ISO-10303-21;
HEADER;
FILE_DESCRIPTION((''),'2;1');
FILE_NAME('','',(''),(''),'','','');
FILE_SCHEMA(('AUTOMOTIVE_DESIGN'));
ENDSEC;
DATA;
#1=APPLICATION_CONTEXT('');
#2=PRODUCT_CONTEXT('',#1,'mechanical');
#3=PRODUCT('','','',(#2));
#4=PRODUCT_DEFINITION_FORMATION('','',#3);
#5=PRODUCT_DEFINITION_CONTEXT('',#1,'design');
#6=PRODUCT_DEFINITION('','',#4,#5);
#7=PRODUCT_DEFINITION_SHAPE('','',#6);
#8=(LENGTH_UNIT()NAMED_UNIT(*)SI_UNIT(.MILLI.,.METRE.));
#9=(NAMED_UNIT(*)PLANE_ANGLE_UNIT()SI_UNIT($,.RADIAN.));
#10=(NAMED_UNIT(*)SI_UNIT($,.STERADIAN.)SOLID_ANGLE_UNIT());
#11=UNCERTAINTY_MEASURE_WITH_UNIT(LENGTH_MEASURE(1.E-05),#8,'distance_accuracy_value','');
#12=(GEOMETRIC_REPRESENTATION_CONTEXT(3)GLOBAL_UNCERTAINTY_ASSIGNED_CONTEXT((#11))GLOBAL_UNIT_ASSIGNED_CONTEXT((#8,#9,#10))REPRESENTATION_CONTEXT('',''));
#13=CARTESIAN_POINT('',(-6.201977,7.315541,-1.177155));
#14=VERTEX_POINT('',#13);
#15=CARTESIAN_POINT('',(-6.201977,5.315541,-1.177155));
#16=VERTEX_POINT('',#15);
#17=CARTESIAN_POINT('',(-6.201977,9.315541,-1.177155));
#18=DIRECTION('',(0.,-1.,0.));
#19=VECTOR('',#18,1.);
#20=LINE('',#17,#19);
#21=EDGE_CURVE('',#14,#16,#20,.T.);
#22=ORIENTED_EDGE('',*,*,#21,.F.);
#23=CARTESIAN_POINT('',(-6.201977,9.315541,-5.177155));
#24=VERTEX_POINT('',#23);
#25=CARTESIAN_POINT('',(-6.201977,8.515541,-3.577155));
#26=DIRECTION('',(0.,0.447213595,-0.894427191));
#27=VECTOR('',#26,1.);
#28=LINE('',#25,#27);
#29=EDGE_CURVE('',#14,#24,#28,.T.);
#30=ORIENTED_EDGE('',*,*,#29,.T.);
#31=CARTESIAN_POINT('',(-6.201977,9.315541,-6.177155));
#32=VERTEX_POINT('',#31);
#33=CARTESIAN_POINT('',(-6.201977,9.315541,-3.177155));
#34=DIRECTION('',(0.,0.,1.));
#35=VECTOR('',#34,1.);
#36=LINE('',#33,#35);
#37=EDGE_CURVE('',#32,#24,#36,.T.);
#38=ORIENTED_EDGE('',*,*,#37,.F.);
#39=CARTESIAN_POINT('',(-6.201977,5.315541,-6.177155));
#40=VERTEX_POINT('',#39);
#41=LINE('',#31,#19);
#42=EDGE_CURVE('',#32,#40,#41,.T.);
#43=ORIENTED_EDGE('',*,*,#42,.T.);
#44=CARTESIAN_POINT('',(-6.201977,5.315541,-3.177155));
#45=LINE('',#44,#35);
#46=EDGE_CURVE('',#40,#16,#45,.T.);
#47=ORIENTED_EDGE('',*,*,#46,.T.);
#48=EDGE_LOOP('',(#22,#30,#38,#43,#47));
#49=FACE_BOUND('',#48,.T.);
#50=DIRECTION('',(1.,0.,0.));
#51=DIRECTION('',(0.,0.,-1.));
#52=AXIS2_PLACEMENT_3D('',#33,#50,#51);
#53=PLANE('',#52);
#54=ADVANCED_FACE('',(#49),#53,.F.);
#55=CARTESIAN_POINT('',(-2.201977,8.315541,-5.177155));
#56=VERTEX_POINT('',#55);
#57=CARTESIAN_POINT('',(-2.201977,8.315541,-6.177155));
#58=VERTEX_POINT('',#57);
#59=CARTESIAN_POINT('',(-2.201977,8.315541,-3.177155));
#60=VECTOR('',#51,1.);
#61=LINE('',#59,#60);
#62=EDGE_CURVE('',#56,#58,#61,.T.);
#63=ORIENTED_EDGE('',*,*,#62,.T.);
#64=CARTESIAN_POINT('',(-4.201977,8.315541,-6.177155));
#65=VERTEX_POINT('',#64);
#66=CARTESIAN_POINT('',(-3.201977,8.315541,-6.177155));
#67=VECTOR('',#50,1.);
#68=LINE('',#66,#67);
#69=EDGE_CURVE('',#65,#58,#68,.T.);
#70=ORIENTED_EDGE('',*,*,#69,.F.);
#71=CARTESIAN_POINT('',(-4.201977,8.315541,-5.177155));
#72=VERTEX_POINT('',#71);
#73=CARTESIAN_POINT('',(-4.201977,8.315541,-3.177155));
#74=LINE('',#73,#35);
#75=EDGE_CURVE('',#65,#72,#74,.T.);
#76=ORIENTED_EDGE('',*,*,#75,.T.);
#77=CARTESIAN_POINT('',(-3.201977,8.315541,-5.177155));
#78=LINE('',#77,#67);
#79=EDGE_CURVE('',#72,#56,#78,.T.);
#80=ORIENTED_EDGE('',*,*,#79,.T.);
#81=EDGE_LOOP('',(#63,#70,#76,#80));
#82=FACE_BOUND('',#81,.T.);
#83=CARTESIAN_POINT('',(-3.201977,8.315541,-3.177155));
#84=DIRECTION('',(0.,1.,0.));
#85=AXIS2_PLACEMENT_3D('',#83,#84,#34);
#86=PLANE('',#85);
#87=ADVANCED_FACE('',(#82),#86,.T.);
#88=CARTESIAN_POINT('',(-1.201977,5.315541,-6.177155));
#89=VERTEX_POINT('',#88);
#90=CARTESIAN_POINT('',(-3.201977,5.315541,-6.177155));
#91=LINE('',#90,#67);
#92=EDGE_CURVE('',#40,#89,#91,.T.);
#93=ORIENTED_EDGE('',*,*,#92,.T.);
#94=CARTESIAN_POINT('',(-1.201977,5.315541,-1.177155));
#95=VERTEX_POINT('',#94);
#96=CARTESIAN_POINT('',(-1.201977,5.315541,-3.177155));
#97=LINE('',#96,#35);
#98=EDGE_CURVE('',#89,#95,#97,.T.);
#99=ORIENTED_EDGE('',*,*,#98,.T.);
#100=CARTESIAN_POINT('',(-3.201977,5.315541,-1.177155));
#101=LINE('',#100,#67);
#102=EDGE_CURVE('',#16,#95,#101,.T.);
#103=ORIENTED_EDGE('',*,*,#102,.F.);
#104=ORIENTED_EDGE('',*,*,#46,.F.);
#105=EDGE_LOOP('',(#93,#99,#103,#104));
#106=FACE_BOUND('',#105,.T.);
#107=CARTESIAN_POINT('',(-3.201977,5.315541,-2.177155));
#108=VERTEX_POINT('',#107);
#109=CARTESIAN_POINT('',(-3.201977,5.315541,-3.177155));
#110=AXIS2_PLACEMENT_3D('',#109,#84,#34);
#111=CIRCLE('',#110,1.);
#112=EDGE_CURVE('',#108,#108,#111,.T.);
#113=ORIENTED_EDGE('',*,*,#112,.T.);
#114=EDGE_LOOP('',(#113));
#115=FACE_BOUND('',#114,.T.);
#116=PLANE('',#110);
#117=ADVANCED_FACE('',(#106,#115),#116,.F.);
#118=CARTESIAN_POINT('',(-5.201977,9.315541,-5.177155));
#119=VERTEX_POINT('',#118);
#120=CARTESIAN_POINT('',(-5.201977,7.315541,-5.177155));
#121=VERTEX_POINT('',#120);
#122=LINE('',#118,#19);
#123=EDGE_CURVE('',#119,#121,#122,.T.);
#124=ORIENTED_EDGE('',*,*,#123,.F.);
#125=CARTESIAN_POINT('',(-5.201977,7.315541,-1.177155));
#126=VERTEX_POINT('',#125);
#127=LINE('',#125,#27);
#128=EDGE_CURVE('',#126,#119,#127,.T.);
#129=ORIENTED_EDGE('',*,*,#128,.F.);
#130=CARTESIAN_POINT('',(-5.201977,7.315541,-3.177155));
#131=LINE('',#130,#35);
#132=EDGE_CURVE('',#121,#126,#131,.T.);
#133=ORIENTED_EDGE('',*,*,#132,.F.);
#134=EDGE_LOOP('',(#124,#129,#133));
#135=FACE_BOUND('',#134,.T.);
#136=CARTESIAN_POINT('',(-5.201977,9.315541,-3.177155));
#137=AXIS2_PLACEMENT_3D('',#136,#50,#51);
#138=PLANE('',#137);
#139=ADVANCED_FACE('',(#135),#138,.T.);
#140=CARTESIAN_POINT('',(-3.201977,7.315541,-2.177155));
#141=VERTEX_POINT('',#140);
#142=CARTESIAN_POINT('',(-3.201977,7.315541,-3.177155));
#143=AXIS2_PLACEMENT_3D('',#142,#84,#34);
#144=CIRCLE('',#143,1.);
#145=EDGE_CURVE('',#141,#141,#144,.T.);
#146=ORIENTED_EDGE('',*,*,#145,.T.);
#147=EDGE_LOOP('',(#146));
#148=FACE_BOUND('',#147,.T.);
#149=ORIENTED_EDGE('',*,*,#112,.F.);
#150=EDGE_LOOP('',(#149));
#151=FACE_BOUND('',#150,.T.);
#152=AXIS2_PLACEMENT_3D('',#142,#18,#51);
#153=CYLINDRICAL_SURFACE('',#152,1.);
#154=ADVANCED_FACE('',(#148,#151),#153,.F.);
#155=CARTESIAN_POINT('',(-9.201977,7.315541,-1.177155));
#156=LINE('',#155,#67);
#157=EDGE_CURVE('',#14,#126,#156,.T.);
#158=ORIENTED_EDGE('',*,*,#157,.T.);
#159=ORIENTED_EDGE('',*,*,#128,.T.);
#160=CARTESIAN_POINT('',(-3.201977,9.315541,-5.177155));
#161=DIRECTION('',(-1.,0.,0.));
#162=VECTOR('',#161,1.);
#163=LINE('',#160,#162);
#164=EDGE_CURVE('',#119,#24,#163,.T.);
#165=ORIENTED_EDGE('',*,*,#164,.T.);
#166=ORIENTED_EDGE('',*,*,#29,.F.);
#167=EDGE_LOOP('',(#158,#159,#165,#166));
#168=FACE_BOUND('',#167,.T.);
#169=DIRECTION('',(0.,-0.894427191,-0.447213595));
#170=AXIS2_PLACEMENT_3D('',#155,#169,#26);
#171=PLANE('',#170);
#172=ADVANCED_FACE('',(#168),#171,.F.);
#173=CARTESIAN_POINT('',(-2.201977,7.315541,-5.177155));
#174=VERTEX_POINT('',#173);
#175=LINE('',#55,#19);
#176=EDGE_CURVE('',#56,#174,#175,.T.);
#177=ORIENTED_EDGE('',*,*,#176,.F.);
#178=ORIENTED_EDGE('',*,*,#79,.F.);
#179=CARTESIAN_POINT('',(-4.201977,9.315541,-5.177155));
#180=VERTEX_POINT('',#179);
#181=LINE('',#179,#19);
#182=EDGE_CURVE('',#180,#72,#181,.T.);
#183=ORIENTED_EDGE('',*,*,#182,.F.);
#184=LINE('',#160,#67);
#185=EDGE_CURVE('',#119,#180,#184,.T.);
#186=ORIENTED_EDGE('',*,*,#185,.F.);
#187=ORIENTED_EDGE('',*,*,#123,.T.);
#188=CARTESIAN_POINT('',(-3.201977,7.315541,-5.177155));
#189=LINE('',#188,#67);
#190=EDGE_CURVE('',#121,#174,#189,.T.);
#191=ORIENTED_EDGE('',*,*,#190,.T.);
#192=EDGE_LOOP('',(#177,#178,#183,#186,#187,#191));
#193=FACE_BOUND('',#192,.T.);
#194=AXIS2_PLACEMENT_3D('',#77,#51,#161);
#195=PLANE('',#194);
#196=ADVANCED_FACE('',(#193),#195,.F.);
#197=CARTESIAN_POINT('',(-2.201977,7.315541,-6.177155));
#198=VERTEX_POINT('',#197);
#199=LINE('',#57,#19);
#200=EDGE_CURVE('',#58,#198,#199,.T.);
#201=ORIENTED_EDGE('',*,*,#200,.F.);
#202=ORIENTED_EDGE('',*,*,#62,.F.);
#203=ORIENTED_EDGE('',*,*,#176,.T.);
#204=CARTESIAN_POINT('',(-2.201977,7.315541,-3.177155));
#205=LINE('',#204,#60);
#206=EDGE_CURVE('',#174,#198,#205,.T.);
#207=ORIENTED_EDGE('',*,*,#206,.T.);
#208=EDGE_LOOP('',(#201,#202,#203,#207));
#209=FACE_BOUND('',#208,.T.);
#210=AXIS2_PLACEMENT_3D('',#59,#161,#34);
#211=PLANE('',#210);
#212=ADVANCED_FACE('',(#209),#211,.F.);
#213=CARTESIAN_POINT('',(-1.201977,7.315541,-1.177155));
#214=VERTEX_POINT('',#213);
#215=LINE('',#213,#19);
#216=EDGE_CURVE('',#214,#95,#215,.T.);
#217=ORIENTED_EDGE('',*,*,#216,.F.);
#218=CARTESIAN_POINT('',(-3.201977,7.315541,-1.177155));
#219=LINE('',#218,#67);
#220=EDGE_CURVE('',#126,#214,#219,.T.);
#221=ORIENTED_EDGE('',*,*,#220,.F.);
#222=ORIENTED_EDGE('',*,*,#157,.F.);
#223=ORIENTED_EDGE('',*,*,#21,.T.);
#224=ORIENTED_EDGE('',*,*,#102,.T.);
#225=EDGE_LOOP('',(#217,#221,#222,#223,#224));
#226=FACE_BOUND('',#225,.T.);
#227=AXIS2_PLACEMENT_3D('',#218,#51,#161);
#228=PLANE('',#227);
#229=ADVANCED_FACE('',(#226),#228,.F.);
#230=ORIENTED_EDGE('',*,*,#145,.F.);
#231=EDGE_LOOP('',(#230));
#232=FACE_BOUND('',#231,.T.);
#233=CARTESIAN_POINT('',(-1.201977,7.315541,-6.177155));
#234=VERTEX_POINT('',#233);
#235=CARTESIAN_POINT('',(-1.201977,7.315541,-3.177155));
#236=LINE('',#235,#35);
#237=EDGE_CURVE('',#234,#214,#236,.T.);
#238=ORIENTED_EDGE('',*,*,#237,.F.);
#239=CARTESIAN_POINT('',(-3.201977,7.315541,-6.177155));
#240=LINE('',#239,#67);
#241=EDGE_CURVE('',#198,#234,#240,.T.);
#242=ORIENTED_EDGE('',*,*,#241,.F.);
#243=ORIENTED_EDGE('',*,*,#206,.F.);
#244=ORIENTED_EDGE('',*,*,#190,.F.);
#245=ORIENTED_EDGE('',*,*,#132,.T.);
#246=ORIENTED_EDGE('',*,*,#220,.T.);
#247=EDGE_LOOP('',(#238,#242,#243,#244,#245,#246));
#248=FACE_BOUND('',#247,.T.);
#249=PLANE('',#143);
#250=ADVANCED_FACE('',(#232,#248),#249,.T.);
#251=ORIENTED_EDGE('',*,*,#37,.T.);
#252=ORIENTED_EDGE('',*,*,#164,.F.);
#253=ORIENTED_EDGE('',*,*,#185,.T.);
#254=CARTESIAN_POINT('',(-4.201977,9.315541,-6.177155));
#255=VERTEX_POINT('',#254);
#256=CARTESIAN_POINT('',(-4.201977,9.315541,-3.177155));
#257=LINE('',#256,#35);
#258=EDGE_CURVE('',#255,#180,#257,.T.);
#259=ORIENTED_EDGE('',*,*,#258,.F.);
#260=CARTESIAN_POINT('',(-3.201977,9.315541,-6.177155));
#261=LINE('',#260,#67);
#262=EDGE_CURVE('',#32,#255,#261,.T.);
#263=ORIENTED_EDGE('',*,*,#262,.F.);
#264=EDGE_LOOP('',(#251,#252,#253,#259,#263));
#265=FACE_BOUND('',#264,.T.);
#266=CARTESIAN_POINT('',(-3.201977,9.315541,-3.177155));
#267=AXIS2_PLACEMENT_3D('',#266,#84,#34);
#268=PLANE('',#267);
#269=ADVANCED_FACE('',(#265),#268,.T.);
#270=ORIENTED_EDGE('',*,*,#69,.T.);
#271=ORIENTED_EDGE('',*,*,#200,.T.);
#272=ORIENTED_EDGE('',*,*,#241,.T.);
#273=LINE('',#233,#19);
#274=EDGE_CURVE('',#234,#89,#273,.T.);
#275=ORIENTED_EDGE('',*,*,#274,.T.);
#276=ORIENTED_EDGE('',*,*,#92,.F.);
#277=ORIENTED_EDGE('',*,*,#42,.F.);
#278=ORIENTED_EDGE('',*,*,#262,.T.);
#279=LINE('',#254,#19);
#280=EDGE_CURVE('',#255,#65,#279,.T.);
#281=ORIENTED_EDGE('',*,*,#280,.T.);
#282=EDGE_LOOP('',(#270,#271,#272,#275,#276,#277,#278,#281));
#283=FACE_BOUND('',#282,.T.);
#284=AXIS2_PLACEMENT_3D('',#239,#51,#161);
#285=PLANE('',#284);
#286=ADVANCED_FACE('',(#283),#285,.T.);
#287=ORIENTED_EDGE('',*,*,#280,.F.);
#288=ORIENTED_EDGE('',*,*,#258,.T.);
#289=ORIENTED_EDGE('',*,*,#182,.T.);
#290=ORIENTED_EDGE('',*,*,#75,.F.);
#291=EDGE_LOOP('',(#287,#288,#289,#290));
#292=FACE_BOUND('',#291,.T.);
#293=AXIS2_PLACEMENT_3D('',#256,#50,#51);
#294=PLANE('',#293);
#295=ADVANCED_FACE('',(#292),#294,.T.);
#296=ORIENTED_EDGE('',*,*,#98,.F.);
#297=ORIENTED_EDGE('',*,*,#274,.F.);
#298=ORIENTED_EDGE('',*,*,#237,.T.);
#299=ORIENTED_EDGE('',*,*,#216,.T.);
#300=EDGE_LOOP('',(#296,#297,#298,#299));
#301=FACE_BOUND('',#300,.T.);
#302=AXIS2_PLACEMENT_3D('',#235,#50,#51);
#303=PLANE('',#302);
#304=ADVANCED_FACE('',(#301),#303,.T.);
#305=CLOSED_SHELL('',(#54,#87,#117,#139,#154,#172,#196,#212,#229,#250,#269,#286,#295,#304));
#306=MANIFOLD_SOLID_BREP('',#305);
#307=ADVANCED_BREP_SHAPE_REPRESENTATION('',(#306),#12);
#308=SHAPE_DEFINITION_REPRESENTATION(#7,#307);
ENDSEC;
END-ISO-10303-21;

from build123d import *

# Parameters (mm, degrees)
SKETCH_1_R          = 5
EXTRUDE_1_DEPTH     = 10
SKETCH_1_3_W        = 10
SKETCH_1_3_H        = 5
EXTRUDE_2_DEPTH     = 15
EXTRUDE_3_DEPTH     = 20
CUT_EXTRUDE_1_DEPTH = 20
SCALE_1_SCALE       = 0.2


with BuildPart() as part:
    # 草圖1 → 填料-伸長1 (new body)
    with BuildSketch(Plane(origin=(0, 0, 0), x_dir=(1, 0, 0), z_dir=(0, 1, 0))):
        Polygon((10, 15), (5, 15), (5, 10), (-5, 10), (-10, 10), (-10, -10), (10, -10), align=None)
        Circle(SKETCH_1_R, mode=Mode.SUBTRACT)
    extrude(amount=EXTRUDE_1_DEPTH)

    # 草圖1<3> → 填料-伸長2 (add)
    with BuildSketch(Plane(origin=(0, 0, 0), x_dir=(1, 0, 0), z_dir=(0, 1, 0))):
        with Locations((0, 12.5)):
            Rectangle(SKETCH_1_3_W, SKETCH_1_3_H)
    extrude(amount=EXTRUDE_2_DEPTH)

    # 草圖1<4> → 填料-伸長3 (add)
    with BuildSketch(Plane(origin=(0, 0, 0), x_dir=(1, 0, 0), z_dir=(0, 1, 0))):
        Polygon((-5, 15), (-15, 15), (-15, -10), (-10, -10), (-10, 10), (-5, 10), align=None)
    extrude(amount=EXTRUDE_3_DEPTH)

    # 草圖2 → 除料-伸長1 (cut)
    with BuildSketch(Plane(origin=(-10, 0, 0), x_dir=(0, 0, -1), z_dir=(1, 0, 0))):
        Polygon((-10, 10), (10, 20), (-10, 20), align=None)
    extrude(amount=-CUT_EXTRUDE_1_DEPTH, mode=Mode.SUBTRACT)


with BuildPart() as part_1:
    # 縮放比例1: scaled about (-4.00247113, 6.644426123, -3.971444222)
    add(part.part.scale(SCALE_1_SCALE).moved(Location((-3.201976904, 5.315540898, -3.177155378))))


solid = part_1.part
